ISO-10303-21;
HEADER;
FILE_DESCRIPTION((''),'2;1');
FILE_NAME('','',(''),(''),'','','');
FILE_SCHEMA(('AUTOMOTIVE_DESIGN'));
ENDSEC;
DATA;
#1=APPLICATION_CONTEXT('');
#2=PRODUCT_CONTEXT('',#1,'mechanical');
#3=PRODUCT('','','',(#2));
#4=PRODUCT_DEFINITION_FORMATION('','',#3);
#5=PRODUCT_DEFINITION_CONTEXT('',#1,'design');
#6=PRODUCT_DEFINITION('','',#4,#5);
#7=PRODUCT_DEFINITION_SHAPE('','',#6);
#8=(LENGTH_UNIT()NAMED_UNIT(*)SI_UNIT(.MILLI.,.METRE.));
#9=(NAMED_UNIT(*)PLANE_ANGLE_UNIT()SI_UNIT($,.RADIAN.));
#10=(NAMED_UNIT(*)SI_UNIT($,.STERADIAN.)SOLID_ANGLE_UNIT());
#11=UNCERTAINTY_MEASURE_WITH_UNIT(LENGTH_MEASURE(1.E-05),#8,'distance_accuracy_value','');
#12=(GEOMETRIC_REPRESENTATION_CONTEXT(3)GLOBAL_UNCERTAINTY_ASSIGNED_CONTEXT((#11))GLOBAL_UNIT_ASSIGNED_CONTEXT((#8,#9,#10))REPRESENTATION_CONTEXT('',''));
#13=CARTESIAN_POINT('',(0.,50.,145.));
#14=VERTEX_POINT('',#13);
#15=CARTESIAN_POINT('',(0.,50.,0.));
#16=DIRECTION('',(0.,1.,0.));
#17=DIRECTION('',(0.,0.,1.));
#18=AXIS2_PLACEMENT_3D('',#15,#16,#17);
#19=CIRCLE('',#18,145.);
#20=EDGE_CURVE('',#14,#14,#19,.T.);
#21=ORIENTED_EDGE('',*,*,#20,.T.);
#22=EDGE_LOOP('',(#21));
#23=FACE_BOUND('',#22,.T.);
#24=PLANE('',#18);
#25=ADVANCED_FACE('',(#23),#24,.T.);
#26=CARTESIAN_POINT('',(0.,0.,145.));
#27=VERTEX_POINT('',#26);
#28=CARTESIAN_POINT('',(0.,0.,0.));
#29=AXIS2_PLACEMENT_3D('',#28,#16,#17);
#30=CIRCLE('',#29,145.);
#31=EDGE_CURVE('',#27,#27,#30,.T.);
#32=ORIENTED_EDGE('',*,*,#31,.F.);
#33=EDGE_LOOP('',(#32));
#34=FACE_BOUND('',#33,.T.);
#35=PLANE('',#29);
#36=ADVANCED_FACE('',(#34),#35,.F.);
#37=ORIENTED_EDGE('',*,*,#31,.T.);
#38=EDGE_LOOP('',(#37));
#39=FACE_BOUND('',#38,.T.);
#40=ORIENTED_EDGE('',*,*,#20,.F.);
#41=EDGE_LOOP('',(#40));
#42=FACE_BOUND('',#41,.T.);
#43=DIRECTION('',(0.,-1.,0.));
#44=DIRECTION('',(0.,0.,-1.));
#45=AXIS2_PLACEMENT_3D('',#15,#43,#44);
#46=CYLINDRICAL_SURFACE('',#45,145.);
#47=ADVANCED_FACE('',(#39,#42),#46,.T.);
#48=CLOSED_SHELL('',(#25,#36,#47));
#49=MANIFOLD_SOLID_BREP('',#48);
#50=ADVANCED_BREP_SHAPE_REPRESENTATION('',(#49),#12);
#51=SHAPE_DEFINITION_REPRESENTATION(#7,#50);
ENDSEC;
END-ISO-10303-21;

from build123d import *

# Parameters (mm, degrees)
SKETCH_1_R      = 145
EXTRUDE_1_DEPTH = 50


with BuildPart() as part:
    # 草图1 → 凸台-拉伸1 (new body)
    with BuildSketch(Plane(origin=(0, 0, 0), x_dir=(1, 0, 0), z_dir=(0, 1, 0))):
        with Locations(Location((0, 0, 0), (0, 0, 270))):
            Circle(SKETCH_1_R)
    extrude(amount=EXTRUDE_1_DEPTH)


solid = part.part
